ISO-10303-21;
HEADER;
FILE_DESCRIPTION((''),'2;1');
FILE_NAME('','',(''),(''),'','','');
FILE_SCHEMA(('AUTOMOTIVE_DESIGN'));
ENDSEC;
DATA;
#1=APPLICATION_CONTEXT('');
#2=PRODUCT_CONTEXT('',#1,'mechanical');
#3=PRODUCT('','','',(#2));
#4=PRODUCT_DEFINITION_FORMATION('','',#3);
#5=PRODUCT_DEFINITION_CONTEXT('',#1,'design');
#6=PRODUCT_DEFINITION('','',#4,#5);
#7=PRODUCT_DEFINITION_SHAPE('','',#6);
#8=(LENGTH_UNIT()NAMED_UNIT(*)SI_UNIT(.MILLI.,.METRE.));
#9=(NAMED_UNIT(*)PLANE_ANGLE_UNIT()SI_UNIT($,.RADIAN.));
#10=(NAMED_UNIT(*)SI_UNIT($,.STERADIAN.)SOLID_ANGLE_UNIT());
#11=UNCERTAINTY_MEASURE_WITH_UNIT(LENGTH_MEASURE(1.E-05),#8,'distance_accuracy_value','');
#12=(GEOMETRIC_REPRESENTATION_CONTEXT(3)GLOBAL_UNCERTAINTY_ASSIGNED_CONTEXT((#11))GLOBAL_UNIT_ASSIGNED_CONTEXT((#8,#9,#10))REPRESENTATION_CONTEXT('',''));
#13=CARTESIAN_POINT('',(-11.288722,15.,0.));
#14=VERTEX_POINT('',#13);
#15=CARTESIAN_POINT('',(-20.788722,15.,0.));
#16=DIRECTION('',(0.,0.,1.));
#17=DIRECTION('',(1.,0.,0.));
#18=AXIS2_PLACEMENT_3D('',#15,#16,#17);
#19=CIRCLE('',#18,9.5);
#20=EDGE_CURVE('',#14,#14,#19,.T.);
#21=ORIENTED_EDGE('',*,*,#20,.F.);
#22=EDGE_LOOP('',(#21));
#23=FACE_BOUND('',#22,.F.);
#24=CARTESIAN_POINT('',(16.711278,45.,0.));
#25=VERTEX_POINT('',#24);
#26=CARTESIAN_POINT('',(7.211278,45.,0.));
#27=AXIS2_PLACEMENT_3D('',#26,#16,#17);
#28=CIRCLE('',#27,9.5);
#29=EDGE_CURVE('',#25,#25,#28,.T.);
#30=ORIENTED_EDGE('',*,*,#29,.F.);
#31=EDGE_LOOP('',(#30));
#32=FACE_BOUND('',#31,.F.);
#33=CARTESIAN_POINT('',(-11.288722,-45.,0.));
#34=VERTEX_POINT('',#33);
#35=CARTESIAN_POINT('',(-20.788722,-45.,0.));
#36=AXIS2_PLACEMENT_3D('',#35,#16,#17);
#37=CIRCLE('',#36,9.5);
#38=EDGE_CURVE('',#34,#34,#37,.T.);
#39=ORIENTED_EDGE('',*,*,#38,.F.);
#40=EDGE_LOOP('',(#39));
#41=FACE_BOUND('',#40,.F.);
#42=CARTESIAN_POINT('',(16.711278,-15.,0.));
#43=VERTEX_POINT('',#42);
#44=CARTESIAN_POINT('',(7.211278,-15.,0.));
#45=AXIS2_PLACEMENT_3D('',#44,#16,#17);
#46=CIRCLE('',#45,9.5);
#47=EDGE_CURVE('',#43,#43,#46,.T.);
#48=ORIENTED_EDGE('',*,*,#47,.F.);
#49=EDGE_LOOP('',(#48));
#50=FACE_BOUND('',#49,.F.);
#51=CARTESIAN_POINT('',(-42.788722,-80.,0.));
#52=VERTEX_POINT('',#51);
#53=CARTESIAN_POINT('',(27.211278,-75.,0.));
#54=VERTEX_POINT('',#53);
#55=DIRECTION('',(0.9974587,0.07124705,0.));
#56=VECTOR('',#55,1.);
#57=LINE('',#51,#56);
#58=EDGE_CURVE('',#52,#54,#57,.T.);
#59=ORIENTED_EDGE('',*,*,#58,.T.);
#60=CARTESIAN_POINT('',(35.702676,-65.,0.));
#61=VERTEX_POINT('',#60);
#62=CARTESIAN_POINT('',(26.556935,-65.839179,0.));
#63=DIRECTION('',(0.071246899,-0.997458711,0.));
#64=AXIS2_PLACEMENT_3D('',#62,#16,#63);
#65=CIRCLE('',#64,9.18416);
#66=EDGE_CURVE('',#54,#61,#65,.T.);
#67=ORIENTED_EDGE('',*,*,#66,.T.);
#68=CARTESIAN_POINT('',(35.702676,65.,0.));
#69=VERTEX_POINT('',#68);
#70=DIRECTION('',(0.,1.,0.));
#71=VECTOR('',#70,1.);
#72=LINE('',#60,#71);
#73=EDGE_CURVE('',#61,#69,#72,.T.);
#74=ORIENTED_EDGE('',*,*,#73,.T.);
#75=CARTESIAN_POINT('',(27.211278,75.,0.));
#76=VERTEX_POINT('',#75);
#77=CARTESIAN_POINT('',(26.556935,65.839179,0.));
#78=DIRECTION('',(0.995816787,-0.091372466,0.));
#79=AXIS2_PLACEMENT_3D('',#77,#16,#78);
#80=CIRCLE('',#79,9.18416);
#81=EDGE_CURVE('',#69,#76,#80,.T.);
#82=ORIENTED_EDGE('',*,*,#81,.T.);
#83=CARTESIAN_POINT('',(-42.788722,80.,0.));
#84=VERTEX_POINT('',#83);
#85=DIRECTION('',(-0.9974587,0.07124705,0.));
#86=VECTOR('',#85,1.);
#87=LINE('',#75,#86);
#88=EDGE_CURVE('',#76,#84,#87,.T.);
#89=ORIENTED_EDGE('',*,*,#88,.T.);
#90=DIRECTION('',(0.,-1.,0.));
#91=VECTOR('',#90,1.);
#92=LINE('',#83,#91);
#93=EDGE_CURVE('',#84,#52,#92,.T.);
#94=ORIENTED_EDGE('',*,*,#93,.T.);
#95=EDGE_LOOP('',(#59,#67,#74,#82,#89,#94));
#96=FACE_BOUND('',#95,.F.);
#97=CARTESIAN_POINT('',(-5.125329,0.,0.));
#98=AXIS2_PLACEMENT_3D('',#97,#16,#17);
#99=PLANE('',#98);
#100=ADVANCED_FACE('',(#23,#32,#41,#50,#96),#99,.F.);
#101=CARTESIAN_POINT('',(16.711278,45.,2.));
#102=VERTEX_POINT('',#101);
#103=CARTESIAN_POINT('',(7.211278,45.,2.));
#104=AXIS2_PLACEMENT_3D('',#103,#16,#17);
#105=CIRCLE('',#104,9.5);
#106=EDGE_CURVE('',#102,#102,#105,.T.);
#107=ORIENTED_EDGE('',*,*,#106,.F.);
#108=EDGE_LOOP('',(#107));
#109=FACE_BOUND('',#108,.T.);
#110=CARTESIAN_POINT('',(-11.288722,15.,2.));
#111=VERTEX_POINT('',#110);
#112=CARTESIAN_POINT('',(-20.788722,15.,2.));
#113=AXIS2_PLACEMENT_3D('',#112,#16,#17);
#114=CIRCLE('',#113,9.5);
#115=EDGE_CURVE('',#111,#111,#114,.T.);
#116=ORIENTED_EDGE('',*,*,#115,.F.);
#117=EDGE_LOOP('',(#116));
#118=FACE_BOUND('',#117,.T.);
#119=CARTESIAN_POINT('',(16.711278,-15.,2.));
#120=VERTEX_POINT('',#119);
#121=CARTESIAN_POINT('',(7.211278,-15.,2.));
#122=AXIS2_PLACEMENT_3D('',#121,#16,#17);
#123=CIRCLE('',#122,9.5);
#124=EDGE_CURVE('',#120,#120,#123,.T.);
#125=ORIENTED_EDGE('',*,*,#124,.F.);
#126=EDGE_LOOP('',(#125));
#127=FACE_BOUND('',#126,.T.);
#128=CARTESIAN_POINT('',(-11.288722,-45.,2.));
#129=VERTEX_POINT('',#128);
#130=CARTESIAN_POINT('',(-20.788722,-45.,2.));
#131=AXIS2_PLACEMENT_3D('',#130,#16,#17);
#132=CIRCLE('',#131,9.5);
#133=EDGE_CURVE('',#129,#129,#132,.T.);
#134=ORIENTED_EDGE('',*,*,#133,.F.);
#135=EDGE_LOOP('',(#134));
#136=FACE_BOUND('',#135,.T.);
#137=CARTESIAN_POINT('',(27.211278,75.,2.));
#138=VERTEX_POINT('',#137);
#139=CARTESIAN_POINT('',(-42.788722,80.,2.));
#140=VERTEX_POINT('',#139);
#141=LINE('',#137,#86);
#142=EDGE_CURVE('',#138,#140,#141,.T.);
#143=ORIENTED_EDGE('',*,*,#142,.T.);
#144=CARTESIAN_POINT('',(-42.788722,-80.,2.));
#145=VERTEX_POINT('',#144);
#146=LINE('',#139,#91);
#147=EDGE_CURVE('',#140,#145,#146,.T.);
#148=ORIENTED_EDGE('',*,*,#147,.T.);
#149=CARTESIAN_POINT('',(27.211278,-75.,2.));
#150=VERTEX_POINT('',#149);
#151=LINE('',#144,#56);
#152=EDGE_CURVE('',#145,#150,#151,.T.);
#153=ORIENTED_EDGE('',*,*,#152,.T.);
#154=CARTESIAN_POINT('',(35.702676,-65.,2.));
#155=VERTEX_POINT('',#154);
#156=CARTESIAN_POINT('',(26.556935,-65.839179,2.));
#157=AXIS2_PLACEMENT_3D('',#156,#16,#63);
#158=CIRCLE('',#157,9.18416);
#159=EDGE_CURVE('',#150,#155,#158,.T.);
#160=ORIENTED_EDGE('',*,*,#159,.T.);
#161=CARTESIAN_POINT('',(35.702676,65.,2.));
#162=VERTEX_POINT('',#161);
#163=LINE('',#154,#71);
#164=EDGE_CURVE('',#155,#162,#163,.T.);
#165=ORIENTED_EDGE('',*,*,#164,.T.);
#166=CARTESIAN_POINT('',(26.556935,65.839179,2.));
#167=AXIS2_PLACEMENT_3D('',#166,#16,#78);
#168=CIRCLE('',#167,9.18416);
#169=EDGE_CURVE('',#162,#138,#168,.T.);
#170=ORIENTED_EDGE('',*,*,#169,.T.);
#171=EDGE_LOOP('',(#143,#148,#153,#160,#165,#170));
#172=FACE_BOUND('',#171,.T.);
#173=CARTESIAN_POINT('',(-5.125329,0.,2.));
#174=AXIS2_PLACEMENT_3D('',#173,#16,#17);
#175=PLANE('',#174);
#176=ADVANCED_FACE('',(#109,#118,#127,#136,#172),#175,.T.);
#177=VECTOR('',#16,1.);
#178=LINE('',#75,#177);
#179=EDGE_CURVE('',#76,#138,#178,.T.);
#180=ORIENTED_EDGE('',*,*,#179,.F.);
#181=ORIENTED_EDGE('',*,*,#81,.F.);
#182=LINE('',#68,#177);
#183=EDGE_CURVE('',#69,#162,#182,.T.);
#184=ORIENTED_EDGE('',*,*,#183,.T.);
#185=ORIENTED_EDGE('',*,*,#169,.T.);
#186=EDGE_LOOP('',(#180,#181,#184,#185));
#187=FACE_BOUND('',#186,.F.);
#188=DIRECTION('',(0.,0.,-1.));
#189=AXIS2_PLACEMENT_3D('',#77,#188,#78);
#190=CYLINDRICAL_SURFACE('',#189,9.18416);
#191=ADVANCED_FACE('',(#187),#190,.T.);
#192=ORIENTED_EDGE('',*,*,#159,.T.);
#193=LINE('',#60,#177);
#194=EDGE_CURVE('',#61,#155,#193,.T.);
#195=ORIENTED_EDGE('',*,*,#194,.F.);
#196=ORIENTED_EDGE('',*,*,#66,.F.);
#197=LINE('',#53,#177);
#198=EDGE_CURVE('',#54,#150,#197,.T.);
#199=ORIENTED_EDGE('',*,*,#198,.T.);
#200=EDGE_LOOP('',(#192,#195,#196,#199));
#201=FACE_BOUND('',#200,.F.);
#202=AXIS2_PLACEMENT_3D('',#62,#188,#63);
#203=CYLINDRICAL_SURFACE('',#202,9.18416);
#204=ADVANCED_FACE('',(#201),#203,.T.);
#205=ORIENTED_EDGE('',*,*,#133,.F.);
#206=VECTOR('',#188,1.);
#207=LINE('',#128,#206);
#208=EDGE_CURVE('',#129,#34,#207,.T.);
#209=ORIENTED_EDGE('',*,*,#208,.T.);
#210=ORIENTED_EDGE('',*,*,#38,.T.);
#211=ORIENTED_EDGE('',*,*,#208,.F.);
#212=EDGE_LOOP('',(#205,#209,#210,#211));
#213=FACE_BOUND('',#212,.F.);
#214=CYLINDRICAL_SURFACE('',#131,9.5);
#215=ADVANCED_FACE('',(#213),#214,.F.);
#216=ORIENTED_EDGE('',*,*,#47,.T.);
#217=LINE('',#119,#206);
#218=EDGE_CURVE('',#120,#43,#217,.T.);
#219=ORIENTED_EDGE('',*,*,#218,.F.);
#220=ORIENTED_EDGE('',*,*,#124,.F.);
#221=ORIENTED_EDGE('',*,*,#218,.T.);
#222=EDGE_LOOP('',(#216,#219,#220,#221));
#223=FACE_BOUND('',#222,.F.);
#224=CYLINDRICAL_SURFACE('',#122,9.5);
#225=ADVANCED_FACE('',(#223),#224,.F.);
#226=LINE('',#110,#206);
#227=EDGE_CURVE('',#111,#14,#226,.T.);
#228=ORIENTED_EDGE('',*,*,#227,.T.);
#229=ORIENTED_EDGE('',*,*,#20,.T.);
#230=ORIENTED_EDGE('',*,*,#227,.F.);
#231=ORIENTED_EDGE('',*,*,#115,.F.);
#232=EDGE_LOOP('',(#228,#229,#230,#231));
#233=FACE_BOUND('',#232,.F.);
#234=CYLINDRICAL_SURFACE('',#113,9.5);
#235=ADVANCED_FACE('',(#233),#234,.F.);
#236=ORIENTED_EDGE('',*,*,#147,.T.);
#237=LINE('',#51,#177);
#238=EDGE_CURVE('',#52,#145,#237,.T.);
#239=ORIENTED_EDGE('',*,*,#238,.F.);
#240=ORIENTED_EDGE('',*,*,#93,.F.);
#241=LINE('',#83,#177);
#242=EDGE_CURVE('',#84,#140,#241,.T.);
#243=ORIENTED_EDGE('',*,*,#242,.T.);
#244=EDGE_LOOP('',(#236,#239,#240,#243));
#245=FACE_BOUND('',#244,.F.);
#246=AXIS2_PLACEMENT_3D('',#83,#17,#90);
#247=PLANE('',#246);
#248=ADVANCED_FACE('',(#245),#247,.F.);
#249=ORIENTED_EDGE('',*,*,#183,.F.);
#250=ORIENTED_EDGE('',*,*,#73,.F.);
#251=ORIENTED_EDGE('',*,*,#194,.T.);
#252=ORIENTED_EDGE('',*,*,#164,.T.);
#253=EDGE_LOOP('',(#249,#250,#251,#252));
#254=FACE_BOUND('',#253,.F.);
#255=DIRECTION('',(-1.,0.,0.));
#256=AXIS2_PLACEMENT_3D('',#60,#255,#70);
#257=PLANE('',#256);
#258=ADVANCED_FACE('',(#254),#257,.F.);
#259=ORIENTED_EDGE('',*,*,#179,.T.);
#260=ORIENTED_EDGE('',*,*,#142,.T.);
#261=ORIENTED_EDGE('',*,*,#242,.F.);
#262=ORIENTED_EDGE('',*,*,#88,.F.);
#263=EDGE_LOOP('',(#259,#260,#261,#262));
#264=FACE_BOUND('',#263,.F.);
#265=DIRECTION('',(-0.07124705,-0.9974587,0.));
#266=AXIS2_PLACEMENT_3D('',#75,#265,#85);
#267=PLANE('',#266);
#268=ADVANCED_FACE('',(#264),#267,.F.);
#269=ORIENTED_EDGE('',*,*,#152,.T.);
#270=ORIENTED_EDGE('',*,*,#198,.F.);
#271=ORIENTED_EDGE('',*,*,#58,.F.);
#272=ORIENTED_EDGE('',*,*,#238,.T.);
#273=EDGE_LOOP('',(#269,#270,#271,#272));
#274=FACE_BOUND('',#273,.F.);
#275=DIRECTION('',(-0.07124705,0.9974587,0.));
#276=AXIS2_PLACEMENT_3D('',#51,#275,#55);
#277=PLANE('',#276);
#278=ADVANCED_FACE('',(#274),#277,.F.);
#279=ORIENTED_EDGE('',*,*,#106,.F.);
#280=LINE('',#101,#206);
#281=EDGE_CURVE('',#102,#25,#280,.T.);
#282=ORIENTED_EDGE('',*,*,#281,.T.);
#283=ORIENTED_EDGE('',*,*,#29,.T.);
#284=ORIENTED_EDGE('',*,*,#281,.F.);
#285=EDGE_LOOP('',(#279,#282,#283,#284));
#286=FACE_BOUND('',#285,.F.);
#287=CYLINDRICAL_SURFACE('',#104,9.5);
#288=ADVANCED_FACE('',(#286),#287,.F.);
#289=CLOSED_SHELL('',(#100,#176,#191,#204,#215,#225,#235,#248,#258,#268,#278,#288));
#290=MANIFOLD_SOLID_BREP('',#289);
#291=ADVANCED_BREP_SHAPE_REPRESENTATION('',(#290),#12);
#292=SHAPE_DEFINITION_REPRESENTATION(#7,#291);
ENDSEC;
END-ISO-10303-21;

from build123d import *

# Parameters (mm, degrees)
F1_DEPTH = 2
F2_R     = 9.5
F3_DEPTH = 2


with BuildPart() as f1:
    # F0 (on Top) → F1 (new body)
    with BuildSketch(Plane.XY):
        with BuildLine():
            Line((27.211278, 75), (-42.788722, 80))
            Line((-42.788722, 80), (-42.788722, -80))
            Line((-42.788722, -80), (27.211278, -75))
            ThreePointArc((27.211278, -75), (33.557679, -71.783789), (35.702676, -65))
            Line((35.702676, -65), (35.702676, 65))
            ThreePointArc((35.702676, 65), (33.557679, 71.783789), (27.211278, 75))
        make_face()
    extrude(amount=F1_DEPTH)

    # F2 (on face) → F3 (cut, through all)
    with BuildSketch(Plane.XY.offset(2)):
        with Locations((7.211278, 45)):
            Circle(F2_R)
        with Locations((-20.788722, 15)):
            Circle(F2_R)
        with Locations((7.211278, -15)):
            Circle(F2_R)
        with Locations((-20.788722, -45)):
            Circle(F2_R)
    extrude(amount=-F3_DEPTH, mode=Mode.SUBTRACT)


solid = f1.part
